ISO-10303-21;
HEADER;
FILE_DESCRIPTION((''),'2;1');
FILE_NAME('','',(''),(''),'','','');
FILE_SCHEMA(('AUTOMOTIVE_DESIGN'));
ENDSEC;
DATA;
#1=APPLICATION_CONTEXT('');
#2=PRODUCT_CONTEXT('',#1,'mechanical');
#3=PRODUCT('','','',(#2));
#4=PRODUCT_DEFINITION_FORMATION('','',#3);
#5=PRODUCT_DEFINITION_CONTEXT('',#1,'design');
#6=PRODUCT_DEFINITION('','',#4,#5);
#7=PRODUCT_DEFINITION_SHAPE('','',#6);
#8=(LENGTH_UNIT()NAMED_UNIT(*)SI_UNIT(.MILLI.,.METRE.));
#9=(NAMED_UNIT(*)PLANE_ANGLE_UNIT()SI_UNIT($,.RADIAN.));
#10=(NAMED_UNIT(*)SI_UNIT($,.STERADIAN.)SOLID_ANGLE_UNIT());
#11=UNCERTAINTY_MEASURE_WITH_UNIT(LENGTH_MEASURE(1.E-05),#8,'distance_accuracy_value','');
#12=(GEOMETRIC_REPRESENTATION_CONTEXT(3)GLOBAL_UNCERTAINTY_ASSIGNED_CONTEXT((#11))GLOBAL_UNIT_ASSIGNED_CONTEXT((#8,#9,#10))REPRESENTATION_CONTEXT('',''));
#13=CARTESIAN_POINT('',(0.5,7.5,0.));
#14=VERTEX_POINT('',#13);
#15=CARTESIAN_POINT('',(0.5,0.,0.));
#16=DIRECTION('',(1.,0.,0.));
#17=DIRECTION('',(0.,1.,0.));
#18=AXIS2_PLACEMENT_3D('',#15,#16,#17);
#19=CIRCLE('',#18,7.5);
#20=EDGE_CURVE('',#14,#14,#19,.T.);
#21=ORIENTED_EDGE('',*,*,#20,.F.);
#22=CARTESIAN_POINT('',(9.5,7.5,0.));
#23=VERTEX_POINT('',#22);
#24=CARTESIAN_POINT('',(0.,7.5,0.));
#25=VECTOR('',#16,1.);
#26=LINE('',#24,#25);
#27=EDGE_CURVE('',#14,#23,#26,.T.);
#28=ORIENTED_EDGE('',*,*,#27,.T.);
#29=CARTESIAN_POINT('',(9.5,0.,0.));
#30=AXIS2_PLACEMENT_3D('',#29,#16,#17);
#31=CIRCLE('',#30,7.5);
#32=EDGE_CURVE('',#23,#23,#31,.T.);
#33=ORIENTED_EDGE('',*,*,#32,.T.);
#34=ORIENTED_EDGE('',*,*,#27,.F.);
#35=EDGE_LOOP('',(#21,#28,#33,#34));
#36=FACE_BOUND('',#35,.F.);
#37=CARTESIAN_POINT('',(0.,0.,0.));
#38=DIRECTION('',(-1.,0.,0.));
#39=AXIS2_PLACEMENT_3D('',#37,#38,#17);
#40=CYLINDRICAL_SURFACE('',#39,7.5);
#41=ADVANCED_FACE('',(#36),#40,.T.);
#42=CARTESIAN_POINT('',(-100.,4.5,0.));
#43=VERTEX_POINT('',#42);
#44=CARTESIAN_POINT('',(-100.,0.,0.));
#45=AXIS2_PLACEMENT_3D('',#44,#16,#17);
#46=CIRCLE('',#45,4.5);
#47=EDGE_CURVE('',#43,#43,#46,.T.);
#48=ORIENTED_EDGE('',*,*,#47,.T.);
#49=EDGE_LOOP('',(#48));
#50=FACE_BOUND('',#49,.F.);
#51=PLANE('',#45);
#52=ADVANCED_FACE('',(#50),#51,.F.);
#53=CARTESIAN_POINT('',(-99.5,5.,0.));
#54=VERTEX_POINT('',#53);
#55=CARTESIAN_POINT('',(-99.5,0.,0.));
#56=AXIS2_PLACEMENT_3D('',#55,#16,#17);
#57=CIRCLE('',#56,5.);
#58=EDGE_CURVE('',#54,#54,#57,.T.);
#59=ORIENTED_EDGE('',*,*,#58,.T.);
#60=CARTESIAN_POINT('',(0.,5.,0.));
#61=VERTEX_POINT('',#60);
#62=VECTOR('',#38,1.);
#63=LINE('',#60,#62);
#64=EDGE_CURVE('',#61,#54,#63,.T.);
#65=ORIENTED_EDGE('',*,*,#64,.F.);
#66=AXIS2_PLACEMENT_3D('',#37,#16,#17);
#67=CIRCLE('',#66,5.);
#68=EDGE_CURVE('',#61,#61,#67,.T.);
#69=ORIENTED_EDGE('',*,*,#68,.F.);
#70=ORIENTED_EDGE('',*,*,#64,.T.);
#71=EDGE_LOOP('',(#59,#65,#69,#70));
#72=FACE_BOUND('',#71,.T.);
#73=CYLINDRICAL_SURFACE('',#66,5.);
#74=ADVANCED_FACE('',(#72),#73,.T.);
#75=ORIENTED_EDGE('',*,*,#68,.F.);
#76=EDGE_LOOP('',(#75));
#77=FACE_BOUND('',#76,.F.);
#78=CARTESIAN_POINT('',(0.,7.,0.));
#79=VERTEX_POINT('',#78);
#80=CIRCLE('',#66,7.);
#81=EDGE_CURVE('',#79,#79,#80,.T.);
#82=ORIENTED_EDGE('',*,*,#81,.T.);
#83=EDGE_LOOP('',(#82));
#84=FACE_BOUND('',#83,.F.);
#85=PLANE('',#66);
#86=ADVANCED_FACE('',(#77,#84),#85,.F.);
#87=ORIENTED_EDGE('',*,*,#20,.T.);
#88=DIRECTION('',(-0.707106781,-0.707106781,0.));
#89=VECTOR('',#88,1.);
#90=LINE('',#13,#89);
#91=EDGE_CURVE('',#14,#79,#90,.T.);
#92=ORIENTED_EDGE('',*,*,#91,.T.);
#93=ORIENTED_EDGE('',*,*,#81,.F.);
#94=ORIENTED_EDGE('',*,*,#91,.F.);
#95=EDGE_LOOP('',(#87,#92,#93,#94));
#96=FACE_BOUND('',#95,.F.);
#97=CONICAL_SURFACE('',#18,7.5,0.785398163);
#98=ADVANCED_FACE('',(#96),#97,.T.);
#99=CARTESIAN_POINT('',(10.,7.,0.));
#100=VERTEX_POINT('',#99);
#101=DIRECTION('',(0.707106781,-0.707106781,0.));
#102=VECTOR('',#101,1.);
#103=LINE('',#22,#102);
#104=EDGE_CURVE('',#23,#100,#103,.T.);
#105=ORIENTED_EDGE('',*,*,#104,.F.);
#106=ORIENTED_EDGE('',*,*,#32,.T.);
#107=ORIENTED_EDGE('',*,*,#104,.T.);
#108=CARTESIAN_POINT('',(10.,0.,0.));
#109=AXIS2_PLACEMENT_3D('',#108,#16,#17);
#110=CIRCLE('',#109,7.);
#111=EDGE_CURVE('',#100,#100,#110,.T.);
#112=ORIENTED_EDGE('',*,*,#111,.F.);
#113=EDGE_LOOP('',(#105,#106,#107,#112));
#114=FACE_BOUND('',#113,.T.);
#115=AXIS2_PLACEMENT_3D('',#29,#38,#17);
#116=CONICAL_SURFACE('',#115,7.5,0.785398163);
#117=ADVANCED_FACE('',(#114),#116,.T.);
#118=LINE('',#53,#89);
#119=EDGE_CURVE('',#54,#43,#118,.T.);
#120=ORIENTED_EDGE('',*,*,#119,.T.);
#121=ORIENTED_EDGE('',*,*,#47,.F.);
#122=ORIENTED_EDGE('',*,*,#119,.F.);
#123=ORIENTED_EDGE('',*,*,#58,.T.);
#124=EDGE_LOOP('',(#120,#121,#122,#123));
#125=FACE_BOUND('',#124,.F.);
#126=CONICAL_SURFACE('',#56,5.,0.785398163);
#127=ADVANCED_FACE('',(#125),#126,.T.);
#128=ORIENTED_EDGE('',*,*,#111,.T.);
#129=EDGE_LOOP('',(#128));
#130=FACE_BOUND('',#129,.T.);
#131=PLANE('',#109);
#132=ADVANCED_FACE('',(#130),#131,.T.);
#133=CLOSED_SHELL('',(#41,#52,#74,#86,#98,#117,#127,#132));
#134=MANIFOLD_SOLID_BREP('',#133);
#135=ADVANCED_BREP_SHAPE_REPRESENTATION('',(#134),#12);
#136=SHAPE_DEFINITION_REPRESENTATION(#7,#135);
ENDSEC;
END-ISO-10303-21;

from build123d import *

# Parameters (mm, degrees)
F0_R     = 5
F1_DEPTH = 100
F2_R     = 7.5
F3_DEPTH = 10
F4_SIZE  = 0.5


with BuildPart() as f1:
    # F0 (on Right) → F1 (new body)
    with BuildSketch(Plane.YZ):
        Circle(F0_R)
    extrude(amount=-F1_DEPTH)

    # F2 (on Right) → F3 (join)
    with BuildSketch(Plane.YZ):
        Circle(F2_R)
    extrude(amount=F3_DEPTH)

    # F4
    f4_edges = [f1.edges().sort_by_distance(p)[0] for p in [
        (10, -7.5, 0),
        (-100, -5, 0),
        (0, -7.5, 0),
    ]]
    chamfer(f4_edges, length=F4_SIZE)


solid = f1.part
